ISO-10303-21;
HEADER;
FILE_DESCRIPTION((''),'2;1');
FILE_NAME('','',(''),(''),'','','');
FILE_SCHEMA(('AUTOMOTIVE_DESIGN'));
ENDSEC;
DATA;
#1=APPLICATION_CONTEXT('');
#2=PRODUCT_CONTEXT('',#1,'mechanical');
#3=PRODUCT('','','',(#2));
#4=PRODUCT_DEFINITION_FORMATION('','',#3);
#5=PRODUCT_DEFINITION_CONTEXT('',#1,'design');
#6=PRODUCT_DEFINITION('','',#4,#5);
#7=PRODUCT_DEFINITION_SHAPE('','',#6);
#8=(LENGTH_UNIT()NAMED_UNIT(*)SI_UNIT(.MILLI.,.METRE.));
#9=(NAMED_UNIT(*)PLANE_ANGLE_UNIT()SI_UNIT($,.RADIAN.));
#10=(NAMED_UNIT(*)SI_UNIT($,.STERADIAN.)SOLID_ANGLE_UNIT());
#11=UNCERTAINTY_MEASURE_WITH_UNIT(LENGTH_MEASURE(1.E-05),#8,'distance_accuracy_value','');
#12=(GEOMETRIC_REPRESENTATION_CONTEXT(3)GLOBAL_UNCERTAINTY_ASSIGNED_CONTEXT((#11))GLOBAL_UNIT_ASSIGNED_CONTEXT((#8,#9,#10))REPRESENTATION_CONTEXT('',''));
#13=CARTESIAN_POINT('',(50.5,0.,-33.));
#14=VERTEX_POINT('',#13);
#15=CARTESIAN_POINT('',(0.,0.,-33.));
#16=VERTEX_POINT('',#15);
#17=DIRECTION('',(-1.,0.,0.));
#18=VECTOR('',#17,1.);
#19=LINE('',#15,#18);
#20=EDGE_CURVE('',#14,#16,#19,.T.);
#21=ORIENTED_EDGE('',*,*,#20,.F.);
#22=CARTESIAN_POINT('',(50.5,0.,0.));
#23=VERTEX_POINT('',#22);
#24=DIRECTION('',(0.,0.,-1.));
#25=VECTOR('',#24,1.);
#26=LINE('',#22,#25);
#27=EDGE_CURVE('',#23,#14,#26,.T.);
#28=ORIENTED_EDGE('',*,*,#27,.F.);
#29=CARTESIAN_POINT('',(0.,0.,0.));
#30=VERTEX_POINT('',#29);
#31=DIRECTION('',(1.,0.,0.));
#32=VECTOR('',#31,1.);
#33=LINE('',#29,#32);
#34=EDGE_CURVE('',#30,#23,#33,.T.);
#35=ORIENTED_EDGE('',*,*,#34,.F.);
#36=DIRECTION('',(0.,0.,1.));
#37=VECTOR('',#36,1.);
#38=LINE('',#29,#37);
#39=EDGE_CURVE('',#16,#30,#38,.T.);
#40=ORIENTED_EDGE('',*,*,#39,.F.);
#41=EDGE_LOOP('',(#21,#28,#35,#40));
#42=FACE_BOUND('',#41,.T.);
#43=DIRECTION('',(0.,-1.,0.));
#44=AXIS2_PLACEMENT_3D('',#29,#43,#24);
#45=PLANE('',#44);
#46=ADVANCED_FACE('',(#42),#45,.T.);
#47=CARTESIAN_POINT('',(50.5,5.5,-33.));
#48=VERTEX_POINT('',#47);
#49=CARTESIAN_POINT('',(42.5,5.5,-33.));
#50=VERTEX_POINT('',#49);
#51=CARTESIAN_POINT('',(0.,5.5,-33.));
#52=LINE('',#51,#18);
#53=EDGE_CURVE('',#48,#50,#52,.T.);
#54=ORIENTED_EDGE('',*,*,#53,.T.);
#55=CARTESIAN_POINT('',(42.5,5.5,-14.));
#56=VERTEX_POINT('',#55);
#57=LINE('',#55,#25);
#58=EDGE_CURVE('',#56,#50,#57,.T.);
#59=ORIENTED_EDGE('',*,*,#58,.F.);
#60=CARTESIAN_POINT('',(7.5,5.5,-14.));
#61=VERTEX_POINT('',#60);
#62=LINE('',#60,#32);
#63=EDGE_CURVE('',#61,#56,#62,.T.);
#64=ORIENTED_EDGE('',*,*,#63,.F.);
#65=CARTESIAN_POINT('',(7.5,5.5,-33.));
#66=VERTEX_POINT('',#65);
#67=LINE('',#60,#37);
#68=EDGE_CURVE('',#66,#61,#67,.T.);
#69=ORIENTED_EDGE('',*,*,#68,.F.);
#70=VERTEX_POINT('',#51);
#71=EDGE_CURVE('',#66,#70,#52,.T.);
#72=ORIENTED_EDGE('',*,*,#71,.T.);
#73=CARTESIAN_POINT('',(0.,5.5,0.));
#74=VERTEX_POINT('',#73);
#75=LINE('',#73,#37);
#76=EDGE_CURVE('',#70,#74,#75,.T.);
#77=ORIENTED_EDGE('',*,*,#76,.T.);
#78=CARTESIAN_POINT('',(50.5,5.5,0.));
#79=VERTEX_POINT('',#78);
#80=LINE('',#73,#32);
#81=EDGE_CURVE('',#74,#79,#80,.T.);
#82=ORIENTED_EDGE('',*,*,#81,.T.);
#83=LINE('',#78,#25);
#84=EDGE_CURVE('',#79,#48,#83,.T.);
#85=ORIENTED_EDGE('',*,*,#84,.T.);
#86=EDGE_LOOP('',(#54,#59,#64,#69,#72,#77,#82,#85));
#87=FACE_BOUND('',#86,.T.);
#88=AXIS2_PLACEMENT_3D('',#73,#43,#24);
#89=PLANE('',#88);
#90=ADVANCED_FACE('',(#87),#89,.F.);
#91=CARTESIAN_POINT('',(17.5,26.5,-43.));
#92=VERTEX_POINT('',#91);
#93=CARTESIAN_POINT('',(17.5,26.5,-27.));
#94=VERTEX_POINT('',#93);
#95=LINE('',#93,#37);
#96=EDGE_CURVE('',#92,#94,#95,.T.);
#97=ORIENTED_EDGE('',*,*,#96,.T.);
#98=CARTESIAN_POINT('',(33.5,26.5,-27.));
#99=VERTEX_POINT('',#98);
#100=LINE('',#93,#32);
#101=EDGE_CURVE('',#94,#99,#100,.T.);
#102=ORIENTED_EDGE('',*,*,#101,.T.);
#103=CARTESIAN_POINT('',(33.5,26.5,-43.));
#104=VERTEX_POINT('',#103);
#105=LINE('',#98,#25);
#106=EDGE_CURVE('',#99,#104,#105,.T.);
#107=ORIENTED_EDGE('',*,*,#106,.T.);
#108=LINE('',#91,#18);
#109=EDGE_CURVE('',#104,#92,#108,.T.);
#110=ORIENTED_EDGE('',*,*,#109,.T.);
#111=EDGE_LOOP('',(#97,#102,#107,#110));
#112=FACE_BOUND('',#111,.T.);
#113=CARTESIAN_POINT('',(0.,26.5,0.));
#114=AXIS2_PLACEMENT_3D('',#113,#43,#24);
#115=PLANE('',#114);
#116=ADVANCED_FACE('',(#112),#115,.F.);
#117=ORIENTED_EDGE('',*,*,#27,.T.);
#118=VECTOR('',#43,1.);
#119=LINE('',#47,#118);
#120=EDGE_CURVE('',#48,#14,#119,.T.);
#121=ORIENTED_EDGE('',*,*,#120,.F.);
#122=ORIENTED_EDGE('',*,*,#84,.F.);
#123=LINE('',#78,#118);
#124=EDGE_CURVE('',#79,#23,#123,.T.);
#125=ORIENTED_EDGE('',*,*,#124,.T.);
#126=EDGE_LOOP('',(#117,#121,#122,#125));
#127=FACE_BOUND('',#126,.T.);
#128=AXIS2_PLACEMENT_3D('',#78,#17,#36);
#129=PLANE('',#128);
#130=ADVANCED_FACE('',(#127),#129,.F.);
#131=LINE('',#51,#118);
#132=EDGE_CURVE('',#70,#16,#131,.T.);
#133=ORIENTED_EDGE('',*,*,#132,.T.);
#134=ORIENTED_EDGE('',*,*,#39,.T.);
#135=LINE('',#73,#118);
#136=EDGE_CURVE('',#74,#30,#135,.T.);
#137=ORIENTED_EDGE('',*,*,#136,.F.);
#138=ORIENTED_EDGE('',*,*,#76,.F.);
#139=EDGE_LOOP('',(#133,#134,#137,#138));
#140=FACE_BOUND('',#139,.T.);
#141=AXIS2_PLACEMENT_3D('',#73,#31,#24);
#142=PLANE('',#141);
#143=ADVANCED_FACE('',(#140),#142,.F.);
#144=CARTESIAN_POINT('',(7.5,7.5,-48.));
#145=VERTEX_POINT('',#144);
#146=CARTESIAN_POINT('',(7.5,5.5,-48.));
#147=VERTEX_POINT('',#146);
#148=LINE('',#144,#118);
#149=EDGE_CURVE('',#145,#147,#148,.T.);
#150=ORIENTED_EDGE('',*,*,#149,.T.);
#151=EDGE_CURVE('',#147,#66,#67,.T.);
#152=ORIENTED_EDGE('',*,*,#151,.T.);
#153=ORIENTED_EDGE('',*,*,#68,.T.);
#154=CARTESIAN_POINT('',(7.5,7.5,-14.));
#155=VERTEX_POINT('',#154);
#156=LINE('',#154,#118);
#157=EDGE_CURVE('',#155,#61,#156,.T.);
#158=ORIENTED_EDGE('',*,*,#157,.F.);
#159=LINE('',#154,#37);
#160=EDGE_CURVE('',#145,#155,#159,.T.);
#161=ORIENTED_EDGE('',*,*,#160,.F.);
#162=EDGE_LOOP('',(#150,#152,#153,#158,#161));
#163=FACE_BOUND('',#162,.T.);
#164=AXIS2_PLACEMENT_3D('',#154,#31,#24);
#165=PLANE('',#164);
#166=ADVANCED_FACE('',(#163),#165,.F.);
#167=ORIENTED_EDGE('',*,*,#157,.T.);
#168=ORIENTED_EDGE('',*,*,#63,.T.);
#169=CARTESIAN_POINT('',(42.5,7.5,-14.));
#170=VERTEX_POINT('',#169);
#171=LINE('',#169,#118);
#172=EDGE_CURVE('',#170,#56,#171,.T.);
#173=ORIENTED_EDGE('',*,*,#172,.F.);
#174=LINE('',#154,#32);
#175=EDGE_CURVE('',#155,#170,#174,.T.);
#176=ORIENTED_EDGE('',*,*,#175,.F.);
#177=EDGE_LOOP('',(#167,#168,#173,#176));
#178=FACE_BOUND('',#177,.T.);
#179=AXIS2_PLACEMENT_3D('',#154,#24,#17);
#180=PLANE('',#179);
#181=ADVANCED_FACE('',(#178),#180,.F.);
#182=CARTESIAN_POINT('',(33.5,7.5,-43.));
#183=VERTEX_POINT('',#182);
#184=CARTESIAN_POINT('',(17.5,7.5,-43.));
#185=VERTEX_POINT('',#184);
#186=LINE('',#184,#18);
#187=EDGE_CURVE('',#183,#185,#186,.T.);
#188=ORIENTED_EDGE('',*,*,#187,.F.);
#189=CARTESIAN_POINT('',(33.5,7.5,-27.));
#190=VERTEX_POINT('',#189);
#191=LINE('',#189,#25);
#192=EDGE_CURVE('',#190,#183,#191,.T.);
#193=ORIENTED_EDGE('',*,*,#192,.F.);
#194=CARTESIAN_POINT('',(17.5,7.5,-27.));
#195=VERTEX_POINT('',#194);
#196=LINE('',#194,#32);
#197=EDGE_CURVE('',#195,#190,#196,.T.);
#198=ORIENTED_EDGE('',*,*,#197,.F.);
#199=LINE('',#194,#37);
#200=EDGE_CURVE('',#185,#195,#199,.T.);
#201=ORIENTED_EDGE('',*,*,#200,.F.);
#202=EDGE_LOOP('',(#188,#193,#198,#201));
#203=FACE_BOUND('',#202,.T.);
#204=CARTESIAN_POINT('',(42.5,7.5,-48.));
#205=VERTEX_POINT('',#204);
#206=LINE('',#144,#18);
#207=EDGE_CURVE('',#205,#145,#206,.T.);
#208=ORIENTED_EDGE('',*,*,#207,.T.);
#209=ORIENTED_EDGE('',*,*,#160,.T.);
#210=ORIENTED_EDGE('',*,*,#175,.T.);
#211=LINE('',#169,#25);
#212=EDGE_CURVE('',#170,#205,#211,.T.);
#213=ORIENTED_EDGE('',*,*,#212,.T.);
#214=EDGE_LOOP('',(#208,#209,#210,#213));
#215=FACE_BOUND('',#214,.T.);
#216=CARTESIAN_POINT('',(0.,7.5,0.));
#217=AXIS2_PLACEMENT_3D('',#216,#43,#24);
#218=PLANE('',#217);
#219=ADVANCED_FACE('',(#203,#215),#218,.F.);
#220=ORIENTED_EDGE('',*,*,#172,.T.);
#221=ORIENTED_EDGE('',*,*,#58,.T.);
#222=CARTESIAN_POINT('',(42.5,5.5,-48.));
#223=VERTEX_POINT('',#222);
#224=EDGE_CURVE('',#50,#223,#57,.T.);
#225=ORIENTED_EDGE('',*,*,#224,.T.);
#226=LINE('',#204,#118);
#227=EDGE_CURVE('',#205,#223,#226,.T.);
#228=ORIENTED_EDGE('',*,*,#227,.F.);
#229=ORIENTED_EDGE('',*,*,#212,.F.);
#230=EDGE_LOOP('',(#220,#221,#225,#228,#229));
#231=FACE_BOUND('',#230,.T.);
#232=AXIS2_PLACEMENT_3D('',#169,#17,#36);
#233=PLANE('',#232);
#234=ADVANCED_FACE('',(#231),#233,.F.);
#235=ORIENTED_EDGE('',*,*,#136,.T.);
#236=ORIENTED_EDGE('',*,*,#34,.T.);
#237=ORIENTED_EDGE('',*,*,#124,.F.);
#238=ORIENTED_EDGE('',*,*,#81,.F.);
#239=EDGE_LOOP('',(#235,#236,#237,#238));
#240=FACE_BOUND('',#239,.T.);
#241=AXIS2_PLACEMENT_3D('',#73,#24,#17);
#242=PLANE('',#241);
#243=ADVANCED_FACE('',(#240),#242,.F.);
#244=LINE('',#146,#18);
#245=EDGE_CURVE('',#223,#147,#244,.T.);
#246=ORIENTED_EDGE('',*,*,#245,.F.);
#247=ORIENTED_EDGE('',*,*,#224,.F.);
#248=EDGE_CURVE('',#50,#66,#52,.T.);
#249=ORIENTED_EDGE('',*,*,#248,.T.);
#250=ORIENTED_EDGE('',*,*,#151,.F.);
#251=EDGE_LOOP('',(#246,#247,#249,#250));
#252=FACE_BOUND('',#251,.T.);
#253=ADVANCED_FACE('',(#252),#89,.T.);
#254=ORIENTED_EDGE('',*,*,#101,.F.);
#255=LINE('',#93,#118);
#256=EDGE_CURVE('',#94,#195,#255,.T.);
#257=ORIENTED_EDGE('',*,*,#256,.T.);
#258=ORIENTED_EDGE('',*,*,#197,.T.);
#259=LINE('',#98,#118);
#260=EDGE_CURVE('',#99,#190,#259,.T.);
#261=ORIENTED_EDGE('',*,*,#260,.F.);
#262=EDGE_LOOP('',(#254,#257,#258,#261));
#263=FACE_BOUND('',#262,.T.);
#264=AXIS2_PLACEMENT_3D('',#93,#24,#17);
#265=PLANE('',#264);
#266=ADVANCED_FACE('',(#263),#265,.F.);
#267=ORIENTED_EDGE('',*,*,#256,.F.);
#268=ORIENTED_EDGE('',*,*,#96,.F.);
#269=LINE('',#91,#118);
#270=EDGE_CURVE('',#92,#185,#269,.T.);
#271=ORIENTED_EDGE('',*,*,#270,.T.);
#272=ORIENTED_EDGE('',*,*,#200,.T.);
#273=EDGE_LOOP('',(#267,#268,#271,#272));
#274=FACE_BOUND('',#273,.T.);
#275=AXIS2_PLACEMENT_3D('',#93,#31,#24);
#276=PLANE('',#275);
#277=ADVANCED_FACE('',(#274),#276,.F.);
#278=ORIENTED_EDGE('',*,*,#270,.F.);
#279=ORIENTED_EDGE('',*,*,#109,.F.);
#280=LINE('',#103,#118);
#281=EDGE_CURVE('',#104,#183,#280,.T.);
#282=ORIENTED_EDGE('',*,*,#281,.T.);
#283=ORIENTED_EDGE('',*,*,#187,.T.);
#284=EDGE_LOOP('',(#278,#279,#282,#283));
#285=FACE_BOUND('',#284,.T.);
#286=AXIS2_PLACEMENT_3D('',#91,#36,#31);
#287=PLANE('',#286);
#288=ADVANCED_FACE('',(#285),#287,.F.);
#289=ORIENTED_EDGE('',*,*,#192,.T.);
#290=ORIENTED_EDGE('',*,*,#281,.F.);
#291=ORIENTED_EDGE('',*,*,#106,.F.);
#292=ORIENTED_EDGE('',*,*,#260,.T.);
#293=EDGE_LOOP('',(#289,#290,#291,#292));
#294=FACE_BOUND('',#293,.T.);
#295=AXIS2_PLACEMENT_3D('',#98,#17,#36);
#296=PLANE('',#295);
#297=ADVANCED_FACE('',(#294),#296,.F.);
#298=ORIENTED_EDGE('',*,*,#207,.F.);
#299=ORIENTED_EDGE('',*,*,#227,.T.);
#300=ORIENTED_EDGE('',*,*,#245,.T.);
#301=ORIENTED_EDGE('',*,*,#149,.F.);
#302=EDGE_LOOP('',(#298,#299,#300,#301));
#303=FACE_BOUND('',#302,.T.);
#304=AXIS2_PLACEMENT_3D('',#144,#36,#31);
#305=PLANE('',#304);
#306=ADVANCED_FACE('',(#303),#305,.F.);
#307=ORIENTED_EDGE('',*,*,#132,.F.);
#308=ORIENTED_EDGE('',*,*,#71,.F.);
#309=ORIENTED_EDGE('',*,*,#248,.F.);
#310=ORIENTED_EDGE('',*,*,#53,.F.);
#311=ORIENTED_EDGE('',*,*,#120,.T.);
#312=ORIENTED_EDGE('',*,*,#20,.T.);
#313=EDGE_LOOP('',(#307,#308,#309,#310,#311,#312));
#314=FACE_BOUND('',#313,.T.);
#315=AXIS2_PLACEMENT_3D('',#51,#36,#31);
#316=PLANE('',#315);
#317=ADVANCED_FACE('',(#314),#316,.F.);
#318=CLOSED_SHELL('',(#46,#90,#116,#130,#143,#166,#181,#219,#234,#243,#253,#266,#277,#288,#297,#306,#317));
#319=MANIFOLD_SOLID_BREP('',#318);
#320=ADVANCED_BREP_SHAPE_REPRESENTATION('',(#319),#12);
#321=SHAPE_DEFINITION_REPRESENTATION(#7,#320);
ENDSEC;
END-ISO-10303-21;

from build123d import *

# Parameters (mm, degrees)
SKETCH1_W           = 50.5
SKETCH1_H           = 33
BOSS_EXTRUDE1_DEPTH = 5.5
SKETCH2_W           = 35
SKETCH2_H           = 34
BOSS_EXTRUDE2_DEPTH = 2
SKETCH3_W           = 16
SKETCH3_H           = 16
BOSS_EXTRUDE3_DEPTH = 19


with BuildPart() as part:
    # Sketch1 → Boss-Extrude1 (new body)
    with BuildSketch(Plane(origin=(0, 0, 0), x_dir=(1, 0, 0), z_dir=(0, 1, 0))):
        with Locations((25.25, 16.5)):
            Rectangle(SKETCH1_W, SKETCH1_H)
    extrude(amount=BOSS_EXTRUDE1_DEPTH)

    # Sketch2 → Boss-Extrude2 (add)
    with BuildSketch(Plane(origin=(0, 5.5, 0), x_dir=(1, 0, 0), z_dir=(0, 1, 0))):
        with Locations((25, 31)):
            Rectangle(SKETCH2_W, SKETCH2_H)
    extrude(amount=BOSS_EXTRUDE2_DEPTH)

    # Sketch3 → Boss-Extrude3 (add)
    with BuildSketch(Plane(origin=(0, 7.5, 0), x_dir=(1, 0, 0), z_dir=(0, 1, 0))):
        with Locations((25.5, 35)):
            Rectangle(SKETCH3_W, SKETCH3_H)
    extrude(amount=BOSS_EXTRUDE3_DEPTH)


solid = part.part
